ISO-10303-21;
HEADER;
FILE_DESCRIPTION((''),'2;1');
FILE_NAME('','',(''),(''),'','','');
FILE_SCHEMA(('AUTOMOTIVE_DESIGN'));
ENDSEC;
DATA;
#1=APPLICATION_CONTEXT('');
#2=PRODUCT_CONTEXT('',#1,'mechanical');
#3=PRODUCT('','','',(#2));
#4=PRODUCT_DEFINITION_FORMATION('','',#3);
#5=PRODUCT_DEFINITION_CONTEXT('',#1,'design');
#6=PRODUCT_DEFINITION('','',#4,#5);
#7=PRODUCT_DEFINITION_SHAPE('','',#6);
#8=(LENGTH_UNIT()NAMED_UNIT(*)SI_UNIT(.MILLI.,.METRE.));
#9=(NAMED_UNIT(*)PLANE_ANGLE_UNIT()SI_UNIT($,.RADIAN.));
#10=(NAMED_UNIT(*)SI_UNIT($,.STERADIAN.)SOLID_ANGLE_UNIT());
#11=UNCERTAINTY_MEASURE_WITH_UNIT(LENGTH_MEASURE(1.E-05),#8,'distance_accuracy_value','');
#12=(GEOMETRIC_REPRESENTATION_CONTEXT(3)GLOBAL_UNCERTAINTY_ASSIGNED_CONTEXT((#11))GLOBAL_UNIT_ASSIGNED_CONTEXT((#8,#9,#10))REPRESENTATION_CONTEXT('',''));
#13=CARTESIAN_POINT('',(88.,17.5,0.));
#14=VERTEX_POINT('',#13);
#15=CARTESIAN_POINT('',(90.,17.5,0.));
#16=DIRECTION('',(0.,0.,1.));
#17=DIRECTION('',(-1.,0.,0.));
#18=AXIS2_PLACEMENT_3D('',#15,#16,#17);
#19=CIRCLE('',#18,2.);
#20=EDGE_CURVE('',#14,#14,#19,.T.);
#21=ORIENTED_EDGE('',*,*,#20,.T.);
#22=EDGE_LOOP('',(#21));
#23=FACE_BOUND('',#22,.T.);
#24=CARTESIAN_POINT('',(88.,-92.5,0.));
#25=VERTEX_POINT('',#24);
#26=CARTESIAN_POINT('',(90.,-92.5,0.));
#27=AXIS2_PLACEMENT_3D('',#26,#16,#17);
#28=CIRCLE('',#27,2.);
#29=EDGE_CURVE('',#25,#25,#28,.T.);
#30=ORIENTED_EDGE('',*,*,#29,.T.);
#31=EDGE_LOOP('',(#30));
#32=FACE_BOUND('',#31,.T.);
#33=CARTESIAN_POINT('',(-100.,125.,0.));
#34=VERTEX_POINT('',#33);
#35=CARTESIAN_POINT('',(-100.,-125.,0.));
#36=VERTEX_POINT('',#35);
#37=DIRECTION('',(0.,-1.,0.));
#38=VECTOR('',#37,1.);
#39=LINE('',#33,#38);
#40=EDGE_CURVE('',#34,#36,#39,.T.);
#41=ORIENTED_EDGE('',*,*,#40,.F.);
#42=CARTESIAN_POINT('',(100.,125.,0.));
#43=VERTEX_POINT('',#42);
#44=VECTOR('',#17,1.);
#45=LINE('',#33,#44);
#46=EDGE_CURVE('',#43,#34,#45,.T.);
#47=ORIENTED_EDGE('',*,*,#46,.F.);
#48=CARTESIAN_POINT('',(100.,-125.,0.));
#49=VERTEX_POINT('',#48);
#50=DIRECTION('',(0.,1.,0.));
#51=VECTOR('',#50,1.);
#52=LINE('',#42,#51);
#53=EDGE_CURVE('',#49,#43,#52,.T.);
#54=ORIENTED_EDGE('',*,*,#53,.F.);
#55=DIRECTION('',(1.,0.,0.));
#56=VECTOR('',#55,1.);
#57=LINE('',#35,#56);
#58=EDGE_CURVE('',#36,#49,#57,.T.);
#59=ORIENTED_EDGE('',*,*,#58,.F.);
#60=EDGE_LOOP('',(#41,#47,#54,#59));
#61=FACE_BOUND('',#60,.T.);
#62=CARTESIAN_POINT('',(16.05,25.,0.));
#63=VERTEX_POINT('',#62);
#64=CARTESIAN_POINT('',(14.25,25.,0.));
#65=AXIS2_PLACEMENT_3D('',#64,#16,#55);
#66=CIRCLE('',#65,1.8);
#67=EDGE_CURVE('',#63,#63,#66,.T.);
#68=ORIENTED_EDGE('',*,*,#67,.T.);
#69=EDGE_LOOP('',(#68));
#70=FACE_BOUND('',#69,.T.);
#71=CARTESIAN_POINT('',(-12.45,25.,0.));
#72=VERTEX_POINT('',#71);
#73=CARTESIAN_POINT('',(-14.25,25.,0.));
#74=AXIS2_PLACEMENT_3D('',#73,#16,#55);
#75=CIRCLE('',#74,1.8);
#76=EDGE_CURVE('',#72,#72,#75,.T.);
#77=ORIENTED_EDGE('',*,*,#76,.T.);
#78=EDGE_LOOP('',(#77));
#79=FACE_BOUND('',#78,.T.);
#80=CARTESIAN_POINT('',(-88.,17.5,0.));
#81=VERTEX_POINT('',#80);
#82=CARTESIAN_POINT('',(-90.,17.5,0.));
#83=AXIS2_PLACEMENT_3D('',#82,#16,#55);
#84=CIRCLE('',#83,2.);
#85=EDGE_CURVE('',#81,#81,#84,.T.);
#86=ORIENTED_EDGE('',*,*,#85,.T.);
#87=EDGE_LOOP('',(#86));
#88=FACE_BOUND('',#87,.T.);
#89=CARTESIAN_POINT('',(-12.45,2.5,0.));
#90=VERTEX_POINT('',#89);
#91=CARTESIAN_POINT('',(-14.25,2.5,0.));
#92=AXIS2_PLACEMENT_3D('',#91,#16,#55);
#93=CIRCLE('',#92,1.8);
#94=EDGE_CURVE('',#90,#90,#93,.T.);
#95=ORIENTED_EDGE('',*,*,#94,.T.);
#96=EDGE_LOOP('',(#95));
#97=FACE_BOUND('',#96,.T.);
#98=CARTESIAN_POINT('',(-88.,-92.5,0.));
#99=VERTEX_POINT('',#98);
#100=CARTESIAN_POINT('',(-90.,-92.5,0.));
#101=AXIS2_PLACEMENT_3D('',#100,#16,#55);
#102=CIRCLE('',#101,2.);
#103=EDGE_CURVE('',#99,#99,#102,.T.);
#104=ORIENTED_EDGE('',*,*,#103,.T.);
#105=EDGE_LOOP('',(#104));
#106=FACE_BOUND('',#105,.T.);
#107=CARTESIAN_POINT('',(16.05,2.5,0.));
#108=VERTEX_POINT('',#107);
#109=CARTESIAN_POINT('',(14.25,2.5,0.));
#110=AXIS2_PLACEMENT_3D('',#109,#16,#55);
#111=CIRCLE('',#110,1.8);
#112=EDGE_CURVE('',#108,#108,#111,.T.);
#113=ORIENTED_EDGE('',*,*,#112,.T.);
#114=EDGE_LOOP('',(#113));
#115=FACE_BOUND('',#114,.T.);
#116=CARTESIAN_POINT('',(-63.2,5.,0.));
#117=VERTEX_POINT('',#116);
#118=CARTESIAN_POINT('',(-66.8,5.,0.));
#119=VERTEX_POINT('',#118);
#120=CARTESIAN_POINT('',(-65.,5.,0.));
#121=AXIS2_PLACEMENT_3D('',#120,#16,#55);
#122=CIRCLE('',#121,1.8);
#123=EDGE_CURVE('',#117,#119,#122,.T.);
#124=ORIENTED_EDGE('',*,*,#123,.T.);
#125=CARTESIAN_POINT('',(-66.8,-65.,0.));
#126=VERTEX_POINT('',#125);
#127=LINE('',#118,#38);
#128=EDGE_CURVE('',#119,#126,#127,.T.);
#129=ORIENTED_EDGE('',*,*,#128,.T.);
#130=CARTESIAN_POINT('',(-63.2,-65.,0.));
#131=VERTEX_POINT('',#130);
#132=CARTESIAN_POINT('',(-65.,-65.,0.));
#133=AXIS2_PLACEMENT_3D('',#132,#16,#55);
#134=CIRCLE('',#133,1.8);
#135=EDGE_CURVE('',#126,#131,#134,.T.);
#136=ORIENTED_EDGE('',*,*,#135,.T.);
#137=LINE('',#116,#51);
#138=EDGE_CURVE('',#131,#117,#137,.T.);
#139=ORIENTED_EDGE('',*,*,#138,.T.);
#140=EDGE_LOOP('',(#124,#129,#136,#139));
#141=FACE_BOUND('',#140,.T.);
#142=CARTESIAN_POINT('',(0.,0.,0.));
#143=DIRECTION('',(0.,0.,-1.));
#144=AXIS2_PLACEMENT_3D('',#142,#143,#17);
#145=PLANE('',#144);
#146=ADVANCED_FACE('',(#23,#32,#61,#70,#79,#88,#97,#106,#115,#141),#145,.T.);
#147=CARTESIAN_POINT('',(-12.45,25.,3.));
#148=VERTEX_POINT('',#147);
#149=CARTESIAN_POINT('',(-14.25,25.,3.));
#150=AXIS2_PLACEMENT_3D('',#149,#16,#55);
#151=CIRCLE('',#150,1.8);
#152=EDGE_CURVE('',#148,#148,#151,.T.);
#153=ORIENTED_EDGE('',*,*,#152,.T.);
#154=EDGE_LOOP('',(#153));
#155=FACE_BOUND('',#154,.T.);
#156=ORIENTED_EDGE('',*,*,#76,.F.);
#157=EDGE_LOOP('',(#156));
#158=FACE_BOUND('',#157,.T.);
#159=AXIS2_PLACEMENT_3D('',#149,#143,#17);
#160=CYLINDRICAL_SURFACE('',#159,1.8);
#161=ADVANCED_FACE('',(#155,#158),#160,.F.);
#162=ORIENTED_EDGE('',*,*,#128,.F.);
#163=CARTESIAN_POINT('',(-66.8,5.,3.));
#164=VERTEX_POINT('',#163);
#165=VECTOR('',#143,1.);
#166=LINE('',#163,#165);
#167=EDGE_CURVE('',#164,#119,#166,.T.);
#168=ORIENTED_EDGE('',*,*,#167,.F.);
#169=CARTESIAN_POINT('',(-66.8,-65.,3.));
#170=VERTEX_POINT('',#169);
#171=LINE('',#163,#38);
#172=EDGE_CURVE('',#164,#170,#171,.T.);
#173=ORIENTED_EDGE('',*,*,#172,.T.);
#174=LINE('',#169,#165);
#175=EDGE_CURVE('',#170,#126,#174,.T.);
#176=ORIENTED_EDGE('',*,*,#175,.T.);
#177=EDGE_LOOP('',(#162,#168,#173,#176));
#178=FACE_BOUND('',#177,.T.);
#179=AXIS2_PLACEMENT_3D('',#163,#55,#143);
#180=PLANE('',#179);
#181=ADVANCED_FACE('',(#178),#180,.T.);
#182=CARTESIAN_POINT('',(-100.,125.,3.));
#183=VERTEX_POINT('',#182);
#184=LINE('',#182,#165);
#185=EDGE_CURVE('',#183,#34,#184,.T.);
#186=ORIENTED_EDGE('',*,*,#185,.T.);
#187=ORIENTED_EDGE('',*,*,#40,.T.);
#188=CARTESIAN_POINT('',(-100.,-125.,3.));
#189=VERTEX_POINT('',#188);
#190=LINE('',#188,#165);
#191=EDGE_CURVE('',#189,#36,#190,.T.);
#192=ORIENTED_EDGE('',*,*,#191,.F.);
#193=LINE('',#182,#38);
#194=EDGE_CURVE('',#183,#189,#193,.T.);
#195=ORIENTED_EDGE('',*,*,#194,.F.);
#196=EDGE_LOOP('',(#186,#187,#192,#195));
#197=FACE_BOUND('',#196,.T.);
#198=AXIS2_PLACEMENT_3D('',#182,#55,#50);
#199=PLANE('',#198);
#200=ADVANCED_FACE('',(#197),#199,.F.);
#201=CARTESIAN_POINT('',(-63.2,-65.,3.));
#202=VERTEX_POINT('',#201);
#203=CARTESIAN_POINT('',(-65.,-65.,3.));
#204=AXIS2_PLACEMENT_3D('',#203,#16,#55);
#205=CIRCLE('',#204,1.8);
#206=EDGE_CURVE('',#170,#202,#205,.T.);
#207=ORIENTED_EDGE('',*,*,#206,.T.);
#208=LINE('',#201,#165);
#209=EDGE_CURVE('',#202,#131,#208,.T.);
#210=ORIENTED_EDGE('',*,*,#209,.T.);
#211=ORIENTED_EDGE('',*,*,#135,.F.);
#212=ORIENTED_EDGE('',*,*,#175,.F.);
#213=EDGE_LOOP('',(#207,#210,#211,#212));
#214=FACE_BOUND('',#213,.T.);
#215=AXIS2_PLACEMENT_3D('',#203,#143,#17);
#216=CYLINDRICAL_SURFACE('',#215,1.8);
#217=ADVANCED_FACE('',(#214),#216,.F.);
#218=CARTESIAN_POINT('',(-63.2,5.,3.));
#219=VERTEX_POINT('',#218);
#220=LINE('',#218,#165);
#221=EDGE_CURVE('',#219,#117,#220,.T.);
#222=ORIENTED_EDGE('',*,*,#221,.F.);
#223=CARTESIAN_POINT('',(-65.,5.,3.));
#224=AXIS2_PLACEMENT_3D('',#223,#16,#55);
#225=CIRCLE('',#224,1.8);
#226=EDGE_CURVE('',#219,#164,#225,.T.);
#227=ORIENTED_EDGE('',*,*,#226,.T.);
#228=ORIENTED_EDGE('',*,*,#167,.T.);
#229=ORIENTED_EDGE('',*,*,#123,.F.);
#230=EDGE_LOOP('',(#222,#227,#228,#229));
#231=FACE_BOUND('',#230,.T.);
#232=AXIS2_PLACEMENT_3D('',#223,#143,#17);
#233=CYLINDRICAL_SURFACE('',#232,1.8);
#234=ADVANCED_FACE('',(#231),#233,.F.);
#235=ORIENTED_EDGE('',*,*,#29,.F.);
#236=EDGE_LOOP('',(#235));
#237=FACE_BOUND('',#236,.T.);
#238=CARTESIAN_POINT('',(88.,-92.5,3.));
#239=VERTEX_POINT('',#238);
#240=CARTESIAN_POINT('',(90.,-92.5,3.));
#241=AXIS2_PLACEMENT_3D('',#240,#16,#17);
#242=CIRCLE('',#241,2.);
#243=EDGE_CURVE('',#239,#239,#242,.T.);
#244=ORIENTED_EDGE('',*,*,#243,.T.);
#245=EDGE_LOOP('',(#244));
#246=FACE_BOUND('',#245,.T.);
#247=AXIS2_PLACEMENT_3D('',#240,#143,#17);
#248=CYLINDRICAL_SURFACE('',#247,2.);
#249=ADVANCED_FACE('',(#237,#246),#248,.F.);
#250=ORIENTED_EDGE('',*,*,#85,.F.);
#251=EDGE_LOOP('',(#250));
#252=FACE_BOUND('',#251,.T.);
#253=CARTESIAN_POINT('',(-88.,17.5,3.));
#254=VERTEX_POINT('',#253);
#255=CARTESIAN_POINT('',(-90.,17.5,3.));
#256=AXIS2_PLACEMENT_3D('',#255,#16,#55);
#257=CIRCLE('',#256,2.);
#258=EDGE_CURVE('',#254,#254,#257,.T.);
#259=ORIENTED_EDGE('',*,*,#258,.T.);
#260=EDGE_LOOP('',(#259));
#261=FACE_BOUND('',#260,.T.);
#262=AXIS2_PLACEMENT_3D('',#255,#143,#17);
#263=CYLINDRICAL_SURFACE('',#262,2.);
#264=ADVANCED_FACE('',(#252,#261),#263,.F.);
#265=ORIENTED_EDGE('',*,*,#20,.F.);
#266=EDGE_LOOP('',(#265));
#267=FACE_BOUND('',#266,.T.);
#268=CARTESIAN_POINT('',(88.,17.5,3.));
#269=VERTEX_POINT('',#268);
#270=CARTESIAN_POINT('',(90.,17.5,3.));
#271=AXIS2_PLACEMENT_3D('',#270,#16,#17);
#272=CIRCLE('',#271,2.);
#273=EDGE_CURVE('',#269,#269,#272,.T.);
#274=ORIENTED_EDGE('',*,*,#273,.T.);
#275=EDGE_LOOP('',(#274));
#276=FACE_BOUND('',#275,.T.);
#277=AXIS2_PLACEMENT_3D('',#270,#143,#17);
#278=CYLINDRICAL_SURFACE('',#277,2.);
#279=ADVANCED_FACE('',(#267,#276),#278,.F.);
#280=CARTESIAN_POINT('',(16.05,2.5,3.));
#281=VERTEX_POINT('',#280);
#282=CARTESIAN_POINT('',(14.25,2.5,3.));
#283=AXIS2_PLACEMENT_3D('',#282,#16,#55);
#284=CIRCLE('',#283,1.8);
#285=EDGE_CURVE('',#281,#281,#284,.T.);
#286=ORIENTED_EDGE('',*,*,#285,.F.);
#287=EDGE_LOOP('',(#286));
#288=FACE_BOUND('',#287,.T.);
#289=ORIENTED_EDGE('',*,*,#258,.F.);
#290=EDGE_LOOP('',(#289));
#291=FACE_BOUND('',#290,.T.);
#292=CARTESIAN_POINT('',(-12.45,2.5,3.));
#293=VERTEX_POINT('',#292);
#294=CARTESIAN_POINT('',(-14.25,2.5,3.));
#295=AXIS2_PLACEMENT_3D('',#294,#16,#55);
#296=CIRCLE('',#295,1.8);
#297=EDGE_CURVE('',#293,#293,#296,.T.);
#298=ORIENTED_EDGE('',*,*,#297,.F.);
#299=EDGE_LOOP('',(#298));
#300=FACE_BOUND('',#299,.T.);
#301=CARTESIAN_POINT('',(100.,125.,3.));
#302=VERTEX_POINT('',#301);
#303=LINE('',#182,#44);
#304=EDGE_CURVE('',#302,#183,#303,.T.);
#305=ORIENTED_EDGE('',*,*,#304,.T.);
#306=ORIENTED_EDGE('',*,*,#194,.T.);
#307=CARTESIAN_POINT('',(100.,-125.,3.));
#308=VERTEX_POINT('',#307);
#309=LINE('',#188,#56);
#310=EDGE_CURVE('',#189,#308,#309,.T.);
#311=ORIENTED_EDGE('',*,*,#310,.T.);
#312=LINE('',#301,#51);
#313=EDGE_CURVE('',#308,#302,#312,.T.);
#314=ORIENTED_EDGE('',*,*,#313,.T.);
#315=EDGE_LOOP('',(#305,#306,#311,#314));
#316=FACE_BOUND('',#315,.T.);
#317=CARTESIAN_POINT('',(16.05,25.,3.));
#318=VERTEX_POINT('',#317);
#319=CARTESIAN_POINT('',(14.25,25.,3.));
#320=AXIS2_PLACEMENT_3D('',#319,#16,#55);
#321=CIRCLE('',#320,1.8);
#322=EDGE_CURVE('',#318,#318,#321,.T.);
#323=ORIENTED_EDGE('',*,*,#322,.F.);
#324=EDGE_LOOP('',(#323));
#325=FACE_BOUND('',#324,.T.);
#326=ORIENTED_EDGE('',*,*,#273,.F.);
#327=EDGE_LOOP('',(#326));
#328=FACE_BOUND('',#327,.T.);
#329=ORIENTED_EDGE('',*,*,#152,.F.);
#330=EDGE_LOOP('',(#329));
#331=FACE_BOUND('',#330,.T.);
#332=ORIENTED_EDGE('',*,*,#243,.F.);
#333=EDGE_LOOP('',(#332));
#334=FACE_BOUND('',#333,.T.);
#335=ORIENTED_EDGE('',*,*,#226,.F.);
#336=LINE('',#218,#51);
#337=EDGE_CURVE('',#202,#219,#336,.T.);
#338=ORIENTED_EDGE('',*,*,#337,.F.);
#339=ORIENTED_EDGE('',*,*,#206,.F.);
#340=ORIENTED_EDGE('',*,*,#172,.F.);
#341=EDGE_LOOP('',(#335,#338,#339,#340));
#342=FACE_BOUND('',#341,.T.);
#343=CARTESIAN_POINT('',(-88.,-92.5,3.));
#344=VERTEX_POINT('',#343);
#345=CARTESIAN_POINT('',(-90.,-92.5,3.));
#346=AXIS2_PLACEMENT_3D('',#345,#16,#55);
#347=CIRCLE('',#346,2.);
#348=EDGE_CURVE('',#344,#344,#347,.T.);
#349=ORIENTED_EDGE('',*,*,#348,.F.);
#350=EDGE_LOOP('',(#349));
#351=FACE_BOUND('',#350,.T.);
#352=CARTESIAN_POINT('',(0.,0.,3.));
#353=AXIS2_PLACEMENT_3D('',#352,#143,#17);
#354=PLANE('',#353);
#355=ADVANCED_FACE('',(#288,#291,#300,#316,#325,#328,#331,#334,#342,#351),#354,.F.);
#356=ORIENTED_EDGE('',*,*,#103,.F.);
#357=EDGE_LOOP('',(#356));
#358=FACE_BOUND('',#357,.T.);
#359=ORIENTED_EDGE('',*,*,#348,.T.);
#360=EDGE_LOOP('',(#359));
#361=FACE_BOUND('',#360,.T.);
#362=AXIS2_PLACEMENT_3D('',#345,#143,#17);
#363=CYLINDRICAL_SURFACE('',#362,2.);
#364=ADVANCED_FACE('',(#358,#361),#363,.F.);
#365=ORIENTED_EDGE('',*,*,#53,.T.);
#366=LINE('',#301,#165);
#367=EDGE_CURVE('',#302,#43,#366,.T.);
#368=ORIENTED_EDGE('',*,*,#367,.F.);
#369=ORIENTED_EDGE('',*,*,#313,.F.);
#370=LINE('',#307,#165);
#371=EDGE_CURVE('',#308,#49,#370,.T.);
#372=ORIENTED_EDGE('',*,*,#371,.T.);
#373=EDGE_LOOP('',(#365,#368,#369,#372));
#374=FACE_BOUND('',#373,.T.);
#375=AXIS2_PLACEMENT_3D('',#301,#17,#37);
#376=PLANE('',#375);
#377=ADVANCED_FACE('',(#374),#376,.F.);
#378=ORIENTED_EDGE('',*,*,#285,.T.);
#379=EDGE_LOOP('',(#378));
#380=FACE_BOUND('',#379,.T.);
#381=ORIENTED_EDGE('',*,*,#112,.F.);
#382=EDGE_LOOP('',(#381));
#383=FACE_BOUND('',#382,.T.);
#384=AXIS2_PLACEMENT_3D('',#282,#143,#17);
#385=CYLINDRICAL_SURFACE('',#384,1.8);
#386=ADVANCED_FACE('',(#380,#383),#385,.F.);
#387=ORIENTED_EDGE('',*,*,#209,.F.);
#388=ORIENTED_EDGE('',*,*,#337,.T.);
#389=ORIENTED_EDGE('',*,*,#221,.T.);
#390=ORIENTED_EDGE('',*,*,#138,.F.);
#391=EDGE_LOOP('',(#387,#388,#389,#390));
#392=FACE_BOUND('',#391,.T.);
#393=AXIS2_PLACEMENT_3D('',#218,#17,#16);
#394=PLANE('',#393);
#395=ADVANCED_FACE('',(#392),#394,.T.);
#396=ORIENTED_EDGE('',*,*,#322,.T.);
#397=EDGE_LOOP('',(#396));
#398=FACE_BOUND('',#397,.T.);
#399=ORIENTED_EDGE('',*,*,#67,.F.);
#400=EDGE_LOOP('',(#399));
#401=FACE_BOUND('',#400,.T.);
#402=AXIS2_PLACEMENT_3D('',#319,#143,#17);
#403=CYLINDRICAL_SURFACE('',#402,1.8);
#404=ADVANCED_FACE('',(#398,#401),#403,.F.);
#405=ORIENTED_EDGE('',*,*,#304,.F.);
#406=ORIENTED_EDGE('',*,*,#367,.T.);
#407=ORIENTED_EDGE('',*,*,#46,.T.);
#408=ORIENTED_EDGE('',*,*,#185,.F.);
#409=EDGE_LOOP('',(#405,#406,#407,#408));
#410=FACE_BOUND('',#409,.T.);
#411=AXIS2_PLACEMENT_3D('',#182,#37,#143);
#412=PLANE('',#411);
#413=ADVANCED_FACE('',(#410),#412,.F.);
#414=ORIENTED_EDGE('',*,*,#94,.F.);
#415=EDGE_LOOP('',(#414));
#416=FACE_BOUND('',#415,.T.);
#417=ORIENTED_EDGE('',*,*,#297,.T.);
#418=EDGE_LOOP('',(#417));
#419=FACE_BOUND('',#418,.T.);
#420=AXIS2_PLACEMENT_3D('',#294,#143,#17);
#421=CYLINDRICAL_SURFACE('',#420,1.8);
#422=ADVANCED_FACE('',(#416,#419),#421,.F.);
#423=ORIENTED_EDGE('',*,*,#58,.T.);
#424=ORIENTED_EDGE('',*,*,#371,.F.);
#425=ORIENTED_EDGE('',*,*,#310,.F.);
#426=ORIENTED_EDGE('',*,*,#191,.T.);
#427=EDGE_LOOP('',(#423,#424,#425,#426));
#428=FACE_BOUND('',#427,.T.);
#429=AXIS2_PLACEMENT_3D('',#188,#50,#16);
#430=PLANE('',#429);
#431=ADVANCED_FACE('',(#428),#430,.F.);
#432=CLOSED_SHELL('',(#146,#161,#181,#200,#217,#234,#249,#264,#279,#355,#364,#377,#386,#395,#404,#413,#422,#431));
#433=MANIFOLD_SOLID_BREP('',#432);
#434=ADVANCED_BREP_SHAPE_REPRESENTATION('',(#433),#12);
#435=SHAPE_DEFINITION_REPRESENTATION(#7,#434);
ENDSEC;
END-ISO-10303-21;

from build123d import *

# Parameters (mm, degrees)
ESBO_O1_W                = 200
ESBO_O1_H                = 250
ESBO_O1_R                = 1.8
ESBO_O1_R_2              = 2
RESSALTO_EXTRUS_O1_DEPTH = 3


with BuildPart() as part:
    # Esboço1 → Ressalto-extrusão1 (new body)
    with BuildSketch(Plane.XY):
        Rectangle(ESBO_O1_W, ESBO_O1_H)
        with Locations((-14.25, 25)):
            Circle(ESBO_O1_R, mode=Mode.SUBTRACT)
        with Locations((14.25, 25)):
            Circle(ESBO_O1_R, mode=Mode.SUBTRACT)
        with Locations((14.25, 2.5)):
            Circle(ESBO_O1_R, mode=Mode.SUBTRACT)
        with Locations((-14.25, 2.5)):
            Circle(ESBO_O1_R, mode=Mode.SUBTRACT)
        with Locations((-90, -92.5)):
            Circle(ESBO_O1_R_2, mode=Mode.SUBTRACT)
        with Locations((-90, 17.5)):
            Circle(ESBO_O1_R_2, mode=Mode.SUBTRACT)
        with Locations((90, 17.5)):
            Circle(ESBO_O1_R_2, mode=Mode.SUBTRACT)
        with Locations((90, -92.5)):
            Circle(ESBO_O1_R_2, mode=Mode.SUBTRACT)
        with BuildLine():
            Line((-63.2, 5), (-63.2, -65))
            ThreePointArc((-63.2, -65), (-65, -66.8), (-66.8, -65))
            Line((-66.8, -65), (-66.8, 5))
            ThreePointArc((-66.8, 5), (-65, 6.8), (-63.2, 5))
        make_face(mode=Mode.SUBTRACT)
    extrude(amount=RESSALTO_EXTRUS_O1_DEPTH)


solid = part.part
